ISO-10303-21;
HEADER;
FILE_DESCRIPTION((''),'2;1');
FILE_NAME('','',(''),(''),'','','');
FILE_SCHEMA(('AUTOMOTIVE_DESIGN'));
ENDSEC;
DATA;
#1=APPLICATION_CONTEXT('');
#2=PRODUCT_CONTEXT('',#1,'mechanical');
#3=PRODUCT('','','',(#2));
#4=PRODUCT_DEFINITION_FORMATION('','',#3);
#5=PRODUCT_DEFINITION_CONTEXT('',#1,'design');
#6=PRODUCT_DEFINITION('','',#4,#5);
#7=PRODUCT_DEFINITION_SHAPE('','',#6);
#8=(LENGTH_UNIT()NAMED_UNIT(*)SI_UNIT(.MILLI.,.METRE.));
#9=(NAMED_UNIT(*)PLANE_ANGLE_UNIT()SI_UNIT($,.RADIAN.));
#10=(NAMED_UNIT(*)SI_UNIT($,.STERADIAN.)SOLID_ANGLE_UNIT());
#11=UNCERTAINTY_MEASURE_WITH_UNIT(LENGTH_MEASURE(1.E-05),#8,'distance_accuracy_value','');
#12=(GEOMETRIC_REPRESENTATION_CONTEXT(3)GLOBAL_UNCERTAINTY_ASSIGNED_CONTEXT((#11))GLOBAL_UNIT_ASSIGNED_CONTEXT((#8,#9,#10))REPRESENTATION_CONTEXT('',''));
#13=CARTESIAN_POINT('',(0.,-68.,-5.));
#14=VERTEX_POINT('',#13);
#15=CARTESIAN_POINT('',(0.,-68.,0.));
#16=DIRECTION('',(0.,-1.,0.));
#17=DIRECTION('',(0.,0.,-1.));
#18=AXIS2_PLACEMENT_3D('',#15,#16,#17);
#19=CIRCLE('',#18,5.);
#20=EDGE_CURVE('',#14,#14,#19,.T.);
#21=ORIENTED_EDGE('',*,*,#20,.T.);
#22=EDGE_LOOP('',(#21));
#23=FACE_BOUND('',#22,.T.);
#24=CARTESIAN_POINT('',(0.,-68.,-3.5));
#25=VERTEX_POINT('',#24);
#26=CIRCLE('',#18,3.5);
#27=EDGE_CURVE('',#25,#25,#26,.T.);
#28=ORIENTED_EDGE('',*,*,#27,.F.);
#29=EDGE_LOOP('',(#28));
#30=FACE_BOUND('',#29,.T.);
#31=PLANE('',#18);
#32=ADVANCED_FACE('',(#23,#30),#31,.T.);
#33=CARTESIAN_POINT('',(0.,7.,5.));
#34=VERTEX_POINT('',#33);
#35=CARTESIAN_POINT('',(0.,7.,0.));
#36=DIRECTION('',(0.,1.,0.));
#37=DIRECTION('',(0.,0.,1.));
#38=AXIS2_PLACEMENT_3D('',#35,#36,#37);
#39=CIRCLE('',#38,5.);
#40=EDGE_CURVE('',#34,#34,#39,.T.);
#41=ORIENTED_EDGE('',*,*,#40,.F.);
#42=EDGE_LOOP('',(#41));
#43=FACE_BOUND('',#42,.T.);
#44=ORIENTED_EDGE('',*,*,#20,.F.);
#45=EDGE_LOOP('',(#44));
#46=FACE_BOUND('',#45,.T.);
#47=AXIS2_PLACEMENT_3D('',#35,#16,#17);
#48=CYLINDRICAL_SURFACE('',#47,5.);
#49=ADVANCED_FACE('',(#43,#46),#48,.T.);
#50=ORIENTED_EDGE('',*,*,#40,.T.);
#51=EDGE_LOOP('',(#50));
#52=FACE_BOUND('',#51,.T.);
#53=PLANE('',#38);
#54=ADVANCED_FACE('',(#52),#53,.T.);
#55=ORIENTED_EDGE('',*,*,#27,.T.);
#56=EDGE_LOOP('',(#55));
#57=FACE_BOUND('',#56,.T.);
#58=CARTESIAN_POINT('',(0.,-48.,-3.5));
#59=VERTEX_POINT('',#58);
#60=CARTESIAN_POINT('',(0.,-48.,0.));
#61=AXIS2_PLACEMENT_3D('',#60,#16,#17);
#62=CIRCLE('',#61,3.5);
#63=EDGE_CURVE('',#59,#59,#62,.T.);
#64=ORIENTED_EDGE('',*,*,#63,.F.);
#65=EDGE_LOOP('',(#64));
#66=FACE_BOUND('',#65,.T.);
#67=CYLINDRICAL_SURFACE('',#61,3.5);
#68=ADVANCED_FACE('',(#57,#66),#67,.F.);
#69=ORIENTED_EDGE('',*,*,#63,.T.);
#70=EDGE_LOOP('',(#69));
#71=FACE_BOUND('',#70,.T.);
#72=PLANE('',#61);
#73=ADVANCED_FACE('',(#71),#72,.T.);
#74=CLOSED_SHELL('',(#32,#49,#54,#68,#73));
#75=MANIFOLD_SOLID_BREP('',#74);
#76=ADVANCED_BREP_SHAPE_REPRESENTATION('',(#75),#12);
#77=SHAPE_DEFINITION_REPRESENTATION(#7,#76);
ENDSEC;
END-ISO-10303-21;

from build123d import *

# Parameters (mm, degrees)
SKETCH_1_R          = 5
EXTRUDE_1_DEPTH     = 7
EXTRUDE_START       = 68
SKETCH_2_R          = 5
EXTRUDE_2_DEPTH     = 68
SKETCH_3_R          = 3.5
CUT_EXTRUDE_1_DEPTH = 20


with BuildPart() as part:
    # ｽｹｯﾁ1 → ﾎﾞｽ - 押し出し1 (new body)
    with BuildSketch(Plane(origin=(0, 0, 0), x_dir=(1, 0, 0), z_dir=(0, 1, 0))):
        with Locations(Location((0, 0, 0), (0, 0, 270))):
            Circle(SKETCH_1_R)
    extrude(amount=EXTRUDE_1_DEPTH)

    # ｽｹｯﾁ2 → ﾎﾞｽ - 押し出し2 (add)
    with BuildSketch(Plane.XZ.offset(EXTRUDE_START)):
        with Locations(Location((0, 0, 0), (0, 0, 270))):
            Circle(SKETCH_2_R)
    extrude(amount=-EXTRUDE_2_DEPTH)

    # ｽｹｯﾁ3 → ｶｯﾄ - 押し出し1 (cut)
    with BuildSketch(Plane.XZ.offset(68)):
        with Locations(Location((0, 0, 0), (0, 0, 270))):
            Circle(SKETCH_3_R)
    extrude(amount=-CUT_EXTRUDE_1_DEPTH, mode=Mode.SUBTRACT)


solid = part.part
